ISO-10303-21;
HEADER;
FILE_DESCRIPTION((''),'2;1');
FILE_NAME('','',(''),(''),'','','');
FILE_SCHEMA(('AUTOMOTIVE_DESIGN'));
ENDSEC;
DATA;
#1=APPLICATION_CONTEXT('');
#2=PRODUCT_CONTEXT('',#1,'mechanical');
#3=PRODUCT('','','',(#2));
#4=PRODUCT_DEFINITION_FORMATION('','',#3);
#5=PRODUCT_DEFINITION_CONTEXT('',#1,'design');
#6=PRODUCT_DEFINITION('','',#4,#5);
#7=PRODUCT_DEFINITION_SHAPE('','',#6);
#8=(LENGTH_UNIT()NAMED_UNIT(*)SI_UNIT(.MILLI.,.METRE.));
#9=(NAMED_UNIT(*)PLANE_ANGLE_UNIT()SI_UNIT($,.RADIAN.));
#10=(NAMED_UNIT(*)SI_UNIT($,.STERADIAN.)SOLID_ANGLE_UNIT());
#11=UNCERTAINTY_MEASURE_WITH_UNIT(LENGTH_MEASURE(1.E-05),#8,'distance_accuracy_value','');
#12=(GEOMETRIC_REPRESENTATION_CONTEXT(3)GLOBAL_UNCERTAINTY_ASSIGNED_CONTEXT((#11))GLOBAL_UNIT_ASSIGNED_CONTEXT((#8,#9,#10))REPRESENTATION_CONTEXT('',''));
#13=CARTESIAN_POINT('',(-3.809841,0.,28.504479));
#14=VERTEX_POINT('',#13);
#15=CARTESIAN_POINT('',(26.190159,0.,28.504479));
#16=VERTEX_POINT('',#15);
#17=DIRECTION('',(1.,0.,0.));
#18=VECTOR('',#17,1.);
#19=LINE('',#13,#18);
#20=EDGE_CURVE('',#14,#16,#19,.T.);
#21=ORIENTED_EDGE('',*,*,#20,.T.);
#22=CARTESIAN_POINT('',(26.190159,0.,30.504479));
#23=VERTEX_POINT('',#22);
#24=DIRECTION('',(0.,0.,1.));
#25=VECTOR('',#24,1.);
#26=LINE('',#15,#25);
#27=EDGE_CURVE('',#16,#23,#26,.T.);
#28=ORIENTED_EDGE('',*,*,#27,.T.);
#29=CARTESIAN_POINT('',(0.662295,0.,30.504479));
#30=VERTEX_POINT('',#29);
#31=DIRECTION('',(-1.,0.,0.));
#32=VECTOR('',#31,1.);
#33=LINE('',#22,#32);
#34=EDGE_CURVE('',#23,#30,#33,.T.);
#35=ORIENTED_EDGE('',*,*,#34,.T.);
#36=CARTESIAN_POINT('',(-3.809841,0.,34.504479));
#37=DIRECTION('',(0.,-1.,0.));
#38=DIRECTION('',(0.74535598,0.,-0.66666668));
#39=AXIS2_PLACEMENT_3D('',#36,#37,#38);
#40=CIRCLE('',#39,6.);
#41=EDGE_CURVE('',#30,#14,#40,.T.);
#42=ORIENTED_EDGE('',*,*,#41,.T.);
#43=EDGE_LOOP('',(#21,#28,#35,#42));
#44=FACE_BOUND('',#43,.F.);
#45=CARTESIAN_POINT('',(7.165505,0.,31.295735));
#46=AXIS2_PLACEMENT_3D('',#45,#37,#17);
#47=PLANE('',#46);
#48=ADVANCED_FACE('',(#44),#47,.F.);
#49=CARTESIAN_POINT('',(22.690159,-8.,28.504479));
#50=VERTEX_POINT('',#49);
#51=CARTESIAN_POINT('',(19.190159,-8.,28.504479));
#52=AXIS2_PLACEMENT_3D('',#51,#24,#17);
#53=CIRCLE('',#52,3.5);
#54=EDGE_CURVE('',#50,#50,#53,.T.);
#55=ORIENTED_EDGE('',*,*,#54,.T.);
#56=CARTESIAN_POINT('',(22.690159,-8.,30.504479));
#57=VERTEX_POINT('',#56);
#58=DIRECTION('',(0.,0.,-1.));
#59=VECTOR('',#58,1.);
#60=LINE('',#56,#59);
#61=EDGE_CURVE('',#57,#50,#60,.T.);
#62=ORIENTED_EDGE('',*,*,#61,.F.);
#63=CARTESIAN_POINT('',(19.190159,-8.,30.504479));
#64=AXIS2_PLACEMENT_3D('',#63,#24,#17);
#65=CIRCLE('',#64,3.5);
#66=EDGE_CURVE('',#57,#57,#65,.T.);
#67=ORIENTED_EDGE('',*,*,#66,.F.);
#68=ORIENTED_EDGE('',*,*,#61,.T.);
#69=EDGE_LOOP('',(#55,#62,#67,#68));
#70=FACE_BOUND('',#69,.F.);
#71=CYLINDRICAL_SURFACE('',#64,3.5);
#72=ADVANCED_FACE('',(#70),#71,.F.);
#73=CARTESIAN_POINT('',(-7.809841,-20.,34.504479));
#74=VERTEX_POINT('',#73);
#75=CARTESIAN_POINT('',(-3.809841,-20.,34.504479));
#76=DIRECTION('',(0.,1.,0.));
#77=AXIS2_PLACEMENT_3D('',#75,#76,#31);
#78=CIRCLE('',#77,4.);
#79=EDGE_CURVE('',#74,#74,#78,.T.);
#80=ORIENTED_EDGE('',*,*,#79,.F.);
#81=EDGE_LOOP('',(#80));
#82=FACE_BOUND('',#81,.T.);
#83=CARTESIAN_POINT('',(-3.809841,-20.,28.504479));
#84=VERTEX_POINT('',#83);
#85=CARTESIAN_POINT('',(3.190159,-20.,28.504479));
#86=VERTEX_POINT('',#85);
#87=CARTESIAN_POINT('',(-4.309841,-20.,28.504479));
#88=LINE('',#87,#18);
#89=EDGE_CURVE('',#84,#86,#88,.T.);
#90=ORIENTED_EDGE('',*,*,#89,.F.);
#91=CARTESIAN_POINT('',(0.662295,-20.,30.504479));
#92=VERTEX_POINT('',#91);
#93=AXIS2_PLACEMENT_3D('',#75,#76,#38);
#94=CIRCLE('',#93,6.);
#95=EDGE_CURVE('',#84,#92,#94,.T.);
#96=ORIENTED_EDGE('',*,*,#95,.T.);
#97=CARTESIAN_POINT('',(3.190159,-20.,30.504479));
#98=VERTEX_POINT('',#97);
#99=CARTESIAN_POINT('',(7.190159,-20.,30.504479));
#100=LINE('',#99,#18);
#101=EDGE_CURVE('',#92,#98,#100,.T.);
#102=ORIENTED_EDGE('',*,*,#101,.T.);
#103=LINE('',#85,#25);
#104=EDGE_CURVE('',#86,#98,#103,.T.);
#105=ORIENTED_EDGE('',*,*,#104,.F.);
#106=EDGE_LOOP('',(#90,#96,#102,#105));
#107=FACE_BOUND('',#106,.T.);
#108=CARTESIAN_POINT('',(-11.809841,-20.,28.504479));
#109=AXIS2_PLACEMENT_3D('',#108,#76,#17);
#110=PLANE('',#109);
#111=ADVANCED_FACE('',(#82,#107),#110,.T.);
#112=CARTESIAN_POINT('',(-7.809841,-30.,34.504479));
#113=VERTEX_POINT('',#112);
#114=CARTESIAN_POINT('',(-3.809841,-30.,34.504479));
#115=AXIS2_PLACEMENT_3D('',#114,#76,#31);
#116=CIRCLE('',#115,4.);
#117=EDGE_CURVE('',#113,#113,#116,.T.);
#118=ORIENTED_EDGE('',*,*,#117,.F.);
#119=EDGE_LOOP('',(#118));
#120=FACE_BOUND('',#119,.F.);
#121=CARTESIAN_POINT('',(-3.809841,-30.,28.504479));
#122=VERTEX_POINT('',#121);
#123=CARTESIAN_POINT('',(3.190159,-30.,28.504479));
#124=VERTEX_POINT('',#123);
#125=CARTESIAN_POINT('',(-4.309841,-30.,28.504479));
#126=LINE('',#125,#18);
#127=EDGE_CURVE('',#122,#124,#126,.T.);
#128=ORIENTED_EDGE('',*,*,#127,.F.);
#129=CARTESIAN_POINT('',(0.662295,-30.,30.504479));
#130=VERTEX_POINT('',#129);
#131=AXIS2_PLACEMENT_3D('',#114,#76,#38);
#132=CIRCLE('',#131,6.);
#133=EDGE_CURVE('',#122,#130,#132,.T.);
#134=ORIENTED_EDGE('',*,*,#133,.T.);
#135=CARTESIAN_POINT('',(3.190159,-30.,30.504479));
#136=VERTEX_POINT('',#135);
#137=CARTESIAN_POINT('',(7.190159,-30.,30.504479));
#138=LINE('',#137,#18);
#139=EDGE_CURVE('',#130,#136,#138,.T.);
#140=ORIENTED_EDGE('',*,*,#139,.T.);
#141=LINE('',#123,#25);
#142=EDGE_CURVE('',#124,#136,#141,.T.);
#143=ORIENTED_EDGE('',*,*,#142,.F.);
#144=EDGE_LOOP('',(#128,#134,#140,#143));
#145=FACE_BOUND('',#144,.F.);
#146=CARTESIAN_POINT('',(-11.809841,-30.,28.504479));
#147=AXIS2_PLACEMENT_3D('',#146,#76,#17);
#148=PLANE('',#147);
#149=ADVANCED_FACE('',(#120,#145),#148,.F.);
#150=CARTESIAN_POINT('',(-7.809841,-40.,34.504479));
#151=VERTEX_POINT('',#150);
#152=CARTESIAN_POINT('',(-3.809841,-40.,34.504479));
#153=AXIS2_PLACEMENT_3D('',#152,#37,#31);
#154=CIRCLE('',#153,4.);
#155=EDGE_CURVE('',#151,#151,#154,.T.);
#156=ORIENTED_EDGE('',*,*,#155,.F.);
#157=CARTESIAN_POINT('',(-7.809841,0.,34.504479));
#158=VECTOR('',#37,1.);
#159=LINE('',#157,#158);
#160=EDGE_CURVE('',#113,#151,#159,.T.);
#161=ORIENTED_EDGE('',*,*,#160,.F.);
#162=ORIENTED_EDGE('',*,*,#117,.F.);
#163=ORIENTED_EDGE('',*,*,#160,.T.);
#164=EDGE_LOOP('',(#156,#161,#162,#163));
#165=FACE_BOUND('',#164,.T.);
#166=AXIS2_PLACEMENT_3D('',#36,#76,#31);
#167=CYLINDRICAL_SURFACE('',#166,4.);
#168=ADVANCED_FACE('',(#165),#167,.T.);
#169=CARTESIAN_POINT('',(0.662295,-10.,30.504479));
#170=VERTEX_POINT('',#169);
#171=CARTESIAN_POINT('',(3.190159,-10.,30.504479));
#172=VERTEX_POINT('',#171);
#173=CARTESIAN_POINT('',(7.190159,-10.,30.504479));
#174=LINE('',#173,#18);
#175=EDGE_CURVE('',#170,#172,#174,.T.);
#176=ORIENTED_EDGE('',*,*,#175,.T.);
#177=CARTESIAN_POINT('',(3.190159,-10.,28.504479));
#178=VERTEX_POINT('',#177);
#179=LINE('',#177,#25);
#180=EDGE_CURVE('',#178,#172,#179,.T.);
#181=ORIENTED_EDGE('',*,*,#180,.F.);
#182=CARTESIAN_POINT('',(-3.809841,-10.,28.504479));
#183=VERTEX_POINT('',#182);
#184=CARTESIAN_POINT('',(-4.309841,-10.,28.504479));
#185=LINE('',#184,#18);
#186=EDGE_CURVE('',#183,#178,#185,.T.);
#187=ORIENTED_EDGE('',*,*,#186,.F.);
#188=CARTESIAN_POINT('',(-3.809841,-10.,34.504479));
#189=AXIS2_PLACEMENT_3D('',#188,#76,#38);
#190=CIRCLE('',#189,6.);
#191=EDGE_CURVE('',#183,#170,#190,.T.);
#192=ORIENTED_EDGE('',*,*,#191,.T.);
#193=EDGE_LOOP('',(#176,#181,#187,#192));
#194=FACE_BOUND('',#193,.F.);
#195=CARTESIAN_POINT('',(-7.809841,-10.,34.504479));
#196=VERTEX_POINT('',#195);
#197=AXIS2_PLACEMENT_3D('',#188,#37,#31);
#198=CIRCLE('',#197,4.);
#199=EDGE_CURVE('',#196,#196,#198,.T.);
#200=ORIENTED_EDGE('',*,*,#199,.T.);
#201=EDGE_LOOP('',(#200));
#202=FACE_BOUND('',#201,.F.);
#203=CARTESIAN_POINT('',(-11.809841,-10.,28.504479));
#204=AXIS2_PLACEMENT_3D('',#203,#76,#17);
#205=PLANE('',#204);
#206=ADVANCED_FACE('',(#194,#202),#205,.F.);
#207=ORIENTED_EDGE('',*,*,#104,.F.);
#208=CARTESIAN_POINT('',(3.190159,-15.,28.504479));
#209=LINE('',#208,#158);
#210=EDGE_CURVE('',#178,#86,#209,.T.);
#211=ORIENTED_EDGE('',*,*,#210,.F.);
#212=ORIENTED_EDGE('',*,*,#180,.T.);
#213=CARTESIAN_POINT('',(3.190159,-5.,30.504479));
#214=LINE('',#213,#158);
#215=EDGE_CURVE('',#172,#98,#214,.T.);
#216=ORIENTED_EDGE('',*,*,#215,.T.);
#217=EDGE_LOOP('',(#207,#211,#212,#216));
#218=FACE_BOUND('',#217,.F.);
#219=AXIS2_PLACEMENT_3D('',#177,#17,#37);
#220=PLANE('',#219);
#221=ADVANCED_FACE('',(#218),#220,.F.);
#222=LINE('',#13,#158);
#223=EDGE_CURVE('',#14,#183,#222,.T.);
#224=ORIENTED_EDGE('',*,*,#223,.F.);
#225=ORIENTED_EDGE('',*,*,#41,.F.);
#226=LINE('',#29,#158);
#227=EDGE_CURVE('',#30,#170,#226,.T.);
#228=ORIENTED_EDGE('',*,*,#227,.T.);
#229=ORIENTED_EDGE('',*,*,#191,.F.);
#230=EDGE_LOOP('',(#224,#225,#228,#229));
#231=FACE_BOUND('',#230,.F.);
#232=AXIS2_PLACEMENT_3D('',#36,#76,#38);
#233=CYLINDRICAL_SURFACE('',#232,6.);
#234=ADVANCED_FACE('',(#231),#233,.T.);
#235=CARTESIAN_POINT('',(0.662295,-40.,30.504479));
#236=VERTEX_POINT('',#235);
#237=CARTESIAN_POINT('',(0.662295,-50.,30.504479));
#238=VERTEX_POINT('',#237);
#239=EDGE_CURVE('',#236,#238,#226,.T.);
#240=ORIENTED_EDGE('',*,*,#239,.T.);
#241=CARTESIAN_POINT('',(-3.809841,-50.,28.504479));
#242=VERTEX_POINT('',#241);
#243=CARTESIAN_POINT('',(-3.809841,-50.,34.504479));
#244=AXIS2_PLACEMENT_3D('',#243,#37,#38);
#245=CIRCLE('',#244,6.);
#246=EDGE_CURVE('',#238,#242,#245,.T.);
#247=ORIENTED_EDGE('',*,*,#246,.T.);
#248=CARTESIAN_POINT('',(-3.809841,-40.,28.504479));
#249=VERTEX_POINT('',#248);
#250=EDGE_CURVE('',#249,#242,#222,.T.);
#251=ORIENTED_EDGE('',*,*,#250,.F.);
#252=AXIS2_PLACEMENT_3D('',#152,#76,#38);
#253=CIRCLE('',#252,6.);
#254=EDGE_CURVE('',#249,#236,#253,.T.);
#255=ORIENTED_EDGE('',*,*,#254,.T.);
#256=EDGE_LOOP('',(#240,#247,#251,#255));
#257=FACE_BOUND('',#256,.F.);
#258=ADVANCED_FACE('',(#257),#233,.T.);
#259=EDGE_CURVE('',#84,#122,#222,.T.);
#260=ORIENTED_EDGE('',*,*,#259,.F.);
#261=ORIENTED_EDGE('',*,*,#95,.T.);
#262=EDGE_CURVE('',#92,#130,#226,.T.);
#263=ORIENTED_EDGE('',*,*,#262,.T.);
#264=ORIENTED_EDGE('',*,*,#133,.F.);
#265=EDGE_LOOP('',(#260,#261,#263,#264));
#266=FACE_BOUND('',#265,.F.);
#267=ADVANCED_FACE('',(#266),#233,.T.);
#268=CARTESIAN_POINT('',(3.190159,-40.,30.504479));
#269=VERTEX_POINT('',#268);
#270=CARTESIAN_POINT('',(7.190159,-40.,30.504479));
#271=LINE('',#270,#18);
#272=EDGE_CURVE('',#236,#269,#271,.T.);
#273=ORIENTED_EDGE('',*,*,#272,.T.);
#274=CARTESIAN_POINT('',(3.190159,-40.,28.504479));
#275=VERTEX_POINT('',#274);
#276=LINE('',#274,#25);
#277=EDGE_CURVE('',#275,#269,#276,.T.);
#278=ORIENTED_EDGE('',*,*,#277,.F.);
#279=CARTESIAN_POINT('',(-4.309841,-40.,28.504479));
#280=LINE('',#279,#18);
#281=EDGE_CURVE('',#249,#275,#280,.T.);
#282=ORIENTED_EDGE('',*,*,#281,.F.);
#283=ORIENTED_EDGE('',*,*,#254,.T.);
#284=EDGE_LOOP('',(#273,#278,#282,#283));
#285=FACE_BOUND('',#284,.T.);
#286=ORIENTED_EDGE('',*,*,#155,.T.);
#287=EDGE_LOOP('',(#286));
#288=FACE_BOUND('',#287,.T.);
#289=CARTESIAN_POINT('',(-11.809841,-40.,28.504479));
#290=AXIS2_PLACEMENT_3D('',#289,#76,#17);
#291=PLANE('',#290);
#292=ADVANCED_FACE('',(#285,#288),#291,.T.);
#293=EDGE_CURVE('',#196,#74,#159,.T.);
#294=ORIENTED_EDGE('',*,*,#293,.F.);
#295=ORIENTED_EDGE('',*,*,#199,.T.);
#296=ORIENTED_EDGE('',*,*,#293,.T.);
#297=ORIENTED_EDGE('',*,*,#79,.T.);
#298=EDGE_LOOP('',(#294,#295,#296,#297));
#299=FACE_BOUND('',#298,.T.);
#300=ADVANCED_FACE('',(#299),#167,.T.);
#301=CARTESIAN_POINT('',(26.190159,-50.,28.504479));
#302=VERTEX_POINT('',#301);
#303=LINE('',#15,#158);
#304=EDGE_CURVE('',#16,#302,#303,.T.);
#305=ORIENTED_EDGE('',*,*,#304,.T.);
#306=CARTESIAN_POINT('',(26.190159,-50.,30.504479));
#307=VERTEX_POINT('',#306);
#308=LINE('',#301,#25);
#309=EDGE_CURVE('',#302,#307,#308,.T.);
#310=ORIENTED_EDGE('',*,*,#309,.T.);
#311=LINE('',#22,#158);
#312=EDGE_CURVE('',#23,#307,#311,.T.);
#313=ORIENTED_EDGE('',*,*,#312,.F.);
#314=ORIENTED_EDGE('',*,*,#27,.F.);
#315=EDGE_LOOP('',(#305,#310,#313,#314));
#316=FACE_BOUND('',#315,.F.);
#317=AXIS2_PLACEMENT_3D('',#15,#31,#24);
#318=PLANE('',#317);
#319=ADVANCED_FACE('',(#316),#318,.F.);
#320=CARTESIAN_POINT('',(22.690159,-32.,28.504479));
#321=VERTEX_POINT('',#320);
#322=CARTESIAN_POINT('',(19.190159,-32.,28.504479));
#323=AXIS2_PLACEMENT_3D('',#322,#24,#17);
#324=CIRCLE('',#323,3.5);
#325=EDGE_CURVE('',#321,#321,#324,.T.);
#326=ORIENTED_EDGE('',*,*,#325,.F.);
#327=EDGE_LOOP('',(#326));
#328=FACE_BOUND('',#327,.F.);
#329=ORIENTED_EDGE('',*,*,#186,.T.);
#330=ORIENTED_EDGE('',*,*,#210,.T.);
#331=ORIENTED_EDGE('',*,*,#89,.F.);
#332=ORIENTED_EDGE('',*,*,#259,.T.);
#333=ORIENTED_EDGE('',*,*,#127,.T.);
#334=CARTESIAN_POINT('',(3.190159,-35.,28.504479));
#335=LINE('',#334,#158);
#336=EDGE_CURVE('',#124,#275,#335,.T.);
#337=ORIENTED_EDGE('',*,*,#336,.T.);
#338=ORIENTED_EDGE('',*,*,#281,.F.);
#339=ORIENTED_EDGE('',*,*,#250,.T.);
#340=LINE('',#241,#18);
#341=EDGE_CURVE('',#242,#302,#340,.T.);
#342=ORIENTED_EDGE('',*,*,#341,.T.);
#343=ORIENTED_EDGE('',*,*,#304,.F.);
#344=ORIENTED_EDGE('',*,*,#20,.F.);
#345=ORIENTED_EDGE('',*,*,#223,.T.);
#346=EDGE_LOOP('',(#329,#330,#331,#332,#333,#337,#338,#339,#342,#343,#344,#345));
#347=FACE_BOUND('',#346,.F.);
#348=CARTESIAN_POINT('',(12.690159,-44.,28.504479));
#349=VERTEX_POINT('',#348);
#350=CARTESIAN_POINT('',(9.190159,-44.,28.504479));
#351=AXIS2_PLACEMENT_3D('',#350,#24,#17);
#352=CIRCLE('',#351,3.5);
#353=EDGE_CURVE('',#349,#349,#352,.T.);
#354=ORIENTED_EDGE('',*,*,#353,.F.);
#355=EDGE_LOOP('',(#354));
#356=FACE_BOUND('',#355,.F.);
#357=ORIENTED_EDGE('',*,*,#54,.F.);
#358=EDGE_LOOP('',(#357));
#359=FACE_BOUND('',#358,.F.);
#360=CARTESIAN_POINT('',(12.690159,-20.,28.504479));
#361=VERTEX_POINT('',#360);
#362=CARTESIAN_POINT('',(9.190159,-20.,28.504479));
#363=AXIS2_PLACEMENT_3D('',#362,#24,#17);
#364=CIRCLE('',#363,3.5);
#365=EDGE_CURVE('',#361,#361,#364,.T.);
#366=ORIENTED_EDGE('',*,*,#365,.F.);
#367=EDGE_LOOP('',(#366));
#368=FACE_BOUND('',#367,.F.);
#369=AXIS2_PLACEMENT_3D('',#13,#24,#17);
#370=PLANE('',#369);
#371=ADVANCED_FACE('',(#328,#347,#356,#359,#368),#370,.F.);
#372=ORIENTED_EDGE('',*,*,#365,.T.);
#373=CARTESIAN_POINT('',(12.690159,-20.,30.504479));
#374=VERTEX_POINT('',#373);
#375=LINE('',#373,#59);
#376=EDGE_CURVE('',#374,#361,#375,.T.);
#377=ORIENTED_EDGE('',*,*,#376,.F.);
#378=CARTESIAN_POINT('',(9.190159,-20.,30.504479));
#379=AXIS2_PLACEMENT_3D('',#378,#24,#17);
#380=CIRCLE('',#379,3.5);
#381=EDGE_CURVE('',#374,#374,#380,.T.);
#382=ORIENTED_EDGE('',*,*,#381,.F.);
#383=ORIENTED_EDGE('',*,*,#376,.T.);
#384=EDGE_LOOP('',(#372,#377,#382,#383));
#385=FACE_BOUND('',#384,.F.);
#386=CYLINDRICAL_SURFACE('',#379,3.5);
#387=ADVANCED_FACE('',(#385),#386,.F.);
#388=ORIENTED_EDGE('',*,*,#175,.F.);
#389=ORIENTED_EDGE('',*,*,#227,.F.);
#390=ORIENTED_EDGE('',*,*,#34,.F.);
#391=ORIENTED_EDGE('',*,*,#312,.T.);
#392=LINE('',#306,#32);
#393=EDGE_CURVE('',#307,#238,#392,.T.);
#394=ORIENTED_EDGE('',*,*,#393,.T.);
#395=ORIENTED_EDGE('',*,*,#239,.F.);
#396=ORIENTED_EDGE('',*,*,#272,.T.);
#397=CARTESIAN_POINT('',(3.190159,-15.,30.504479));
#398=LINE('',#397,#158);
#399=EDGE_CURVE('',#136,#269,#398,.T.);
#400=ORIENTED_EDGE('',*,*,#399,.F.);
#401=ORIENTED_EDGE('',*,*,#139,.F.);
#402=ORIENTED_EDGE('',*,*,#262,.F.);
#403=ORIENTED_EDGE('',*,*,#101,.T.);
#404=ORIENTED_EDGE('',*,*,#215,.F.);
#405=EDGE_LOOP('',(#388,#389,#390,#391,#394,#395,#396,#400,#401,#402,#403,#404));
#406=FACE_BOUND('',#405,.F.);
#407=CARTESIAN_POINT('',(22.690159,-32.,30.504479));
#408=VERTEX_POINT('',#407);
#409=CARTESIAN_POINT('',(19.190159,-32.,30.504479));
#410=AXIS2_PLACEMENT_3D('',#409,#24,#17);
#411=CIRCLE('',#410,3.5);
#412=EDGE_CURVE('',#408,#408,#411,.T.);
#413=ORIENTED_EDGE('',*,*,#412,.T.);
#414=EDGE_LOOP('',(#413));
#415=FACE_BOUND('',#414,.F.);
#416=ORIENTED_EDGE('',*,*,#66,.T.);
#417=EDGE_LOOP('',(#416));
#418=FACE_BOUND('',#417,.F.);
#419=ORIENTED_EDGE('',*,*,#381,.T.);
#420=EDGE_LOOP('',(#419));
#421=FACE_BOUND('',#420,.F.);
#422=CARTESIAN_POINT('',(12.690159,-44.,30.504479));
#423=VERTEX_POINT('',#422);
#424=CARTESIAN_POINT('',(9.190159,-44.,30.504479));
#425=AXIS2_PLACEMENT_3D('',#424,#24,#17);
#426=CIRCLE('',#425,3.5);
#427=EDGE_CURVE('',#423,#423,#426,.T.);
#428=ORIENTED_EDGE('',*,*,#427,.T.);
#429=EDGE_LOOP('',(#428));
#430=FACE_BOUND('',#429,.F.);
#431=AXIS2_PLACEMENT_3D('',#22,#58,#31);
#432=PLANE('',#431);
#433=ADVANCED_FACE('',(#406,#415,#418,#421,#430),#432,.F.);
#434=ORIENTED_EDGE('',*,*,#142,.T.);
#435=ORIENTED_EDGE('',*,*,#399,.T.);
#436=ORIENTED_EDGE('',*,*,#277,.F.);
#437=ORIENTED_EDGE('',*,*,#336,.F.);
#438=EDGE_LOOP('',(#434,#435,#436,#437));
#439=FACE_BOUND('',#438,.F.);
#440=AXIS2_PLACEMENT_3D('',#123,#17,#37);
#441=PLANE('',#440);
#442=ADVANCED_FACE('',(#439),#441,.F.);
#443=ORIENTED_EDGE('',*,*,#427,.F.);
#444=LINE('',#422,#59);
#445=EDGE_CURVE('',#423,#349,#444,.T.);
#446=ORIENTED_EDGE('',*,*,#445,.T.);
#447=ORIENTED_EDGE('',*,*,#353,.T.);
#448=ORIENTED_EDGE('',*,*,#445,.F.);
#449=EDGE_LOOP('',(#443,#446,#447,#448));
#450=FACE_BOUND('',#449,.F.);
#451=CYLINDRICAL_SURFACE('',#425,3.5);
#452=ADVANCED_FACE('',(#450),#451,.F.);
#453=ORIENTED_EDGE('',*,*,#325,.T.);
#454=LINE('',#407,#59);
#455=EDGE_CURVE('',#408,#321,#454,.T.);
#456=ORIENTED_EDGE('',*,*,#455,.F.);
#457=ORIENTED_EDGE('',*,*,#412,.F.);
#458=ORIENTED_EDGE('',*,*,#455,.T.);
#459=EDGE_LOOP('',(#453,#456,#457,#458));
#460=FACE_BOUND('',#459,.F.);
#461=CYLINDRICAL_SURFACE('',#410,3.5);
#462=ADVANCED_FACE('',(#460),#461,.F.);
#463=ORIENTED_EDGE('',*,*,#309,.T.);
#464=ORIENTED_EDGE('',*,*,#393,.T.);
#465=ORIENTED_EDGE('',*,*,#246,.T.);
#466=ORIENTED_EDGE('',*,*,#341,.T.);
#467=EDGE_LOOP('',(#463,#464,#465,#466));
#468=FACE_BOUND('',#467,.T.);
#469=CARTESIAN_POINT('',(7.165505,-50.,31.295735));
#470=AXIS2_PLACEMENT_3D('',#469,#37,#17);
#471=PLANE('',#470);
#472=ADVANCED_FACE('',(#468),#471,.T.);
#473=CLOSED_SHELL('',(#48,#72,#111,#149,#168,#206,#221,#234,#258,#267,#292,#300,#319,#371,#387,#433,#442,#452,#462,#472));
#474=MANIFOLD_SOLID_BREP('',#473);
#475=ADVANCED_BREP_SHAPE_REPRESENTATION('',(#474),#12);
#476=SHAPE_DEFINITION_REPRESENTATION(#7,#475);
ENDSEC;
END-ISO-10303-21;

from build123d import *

# Parameters (mm, degrees)
F0_R     = 4
F1_DEPTH = 50
F2_R     = 3.5
F3_DEPTH = 2.001
F4_W     = 15
F4_H     = 10
F5_DEPTH = 25
F6_R     = 4
F7_DEPTH = 50


with BuildPart() as f1:
    # F0 (on Front) → F1 (new body)
    with BuildSketch(Plane.XZ):
        with BuildLine():
            Line((26.190159, 30.504479), (0.662295, 30.504479))
            ThreePointArc((0.662295, 30.504479), (-6.259331, 39.981705), (-3.809841, 28.504479))
            Line((-3.809841, 28.504479), (26.190159, 28.504479))
            Line((26.190159, 28.504479), (26.190159, 30.504479))
        make_face()
        with Locations((-3.809841, 34.504479)):
            Circle(F0_R, mode=Mode.SUBTRACT)
    extrude(amount=F1_DEPTH)

    # F2 (on face) → F3 (cut, through all)
    with BuildSketch(Plane.XY.offset(30.504479)):
        with Locations((19.190159, -32)):
            Circle(F2_R)
        with Locations((9.190159, -44)):
            Circle(F2_R)
        with Locations((9.190159, -20)):
            Circle(F2_R)
        with Locations((19.190159, -8)):
            Circle(F2_R)
    extrude(amount=-F3_DEPTH, mode=Mode.SUBTRACT)

    # F4 (on face) → F5 (cut)
    with BuildSketch(Plane(origin=(0, 0, 28.504479), x_dir=(1, 0, 0), z_dir=(0, 0, -1))):
        with Locations((-4.309841, 35)):
            Rectangle(F4_W, F4_H)
        with Locations((-4.309841, 15)):
            Rectangle(F4_W, F4_H)
    extrude(amount=-F5_DEPTH, mode=Mode.SUBTRACT)

    # F6 (on face) → F7 (join)
    with BuildSketch(Plane(origin=(0, 0, 0), x_dir=(-1, 0, 0), z_dir=(0, 1, 0))):
        with Locations((3.809841, 34.504479)):
            Circle(F6_R)
    extrude(amount=-F7_DEPTH)


solid = f1.part
